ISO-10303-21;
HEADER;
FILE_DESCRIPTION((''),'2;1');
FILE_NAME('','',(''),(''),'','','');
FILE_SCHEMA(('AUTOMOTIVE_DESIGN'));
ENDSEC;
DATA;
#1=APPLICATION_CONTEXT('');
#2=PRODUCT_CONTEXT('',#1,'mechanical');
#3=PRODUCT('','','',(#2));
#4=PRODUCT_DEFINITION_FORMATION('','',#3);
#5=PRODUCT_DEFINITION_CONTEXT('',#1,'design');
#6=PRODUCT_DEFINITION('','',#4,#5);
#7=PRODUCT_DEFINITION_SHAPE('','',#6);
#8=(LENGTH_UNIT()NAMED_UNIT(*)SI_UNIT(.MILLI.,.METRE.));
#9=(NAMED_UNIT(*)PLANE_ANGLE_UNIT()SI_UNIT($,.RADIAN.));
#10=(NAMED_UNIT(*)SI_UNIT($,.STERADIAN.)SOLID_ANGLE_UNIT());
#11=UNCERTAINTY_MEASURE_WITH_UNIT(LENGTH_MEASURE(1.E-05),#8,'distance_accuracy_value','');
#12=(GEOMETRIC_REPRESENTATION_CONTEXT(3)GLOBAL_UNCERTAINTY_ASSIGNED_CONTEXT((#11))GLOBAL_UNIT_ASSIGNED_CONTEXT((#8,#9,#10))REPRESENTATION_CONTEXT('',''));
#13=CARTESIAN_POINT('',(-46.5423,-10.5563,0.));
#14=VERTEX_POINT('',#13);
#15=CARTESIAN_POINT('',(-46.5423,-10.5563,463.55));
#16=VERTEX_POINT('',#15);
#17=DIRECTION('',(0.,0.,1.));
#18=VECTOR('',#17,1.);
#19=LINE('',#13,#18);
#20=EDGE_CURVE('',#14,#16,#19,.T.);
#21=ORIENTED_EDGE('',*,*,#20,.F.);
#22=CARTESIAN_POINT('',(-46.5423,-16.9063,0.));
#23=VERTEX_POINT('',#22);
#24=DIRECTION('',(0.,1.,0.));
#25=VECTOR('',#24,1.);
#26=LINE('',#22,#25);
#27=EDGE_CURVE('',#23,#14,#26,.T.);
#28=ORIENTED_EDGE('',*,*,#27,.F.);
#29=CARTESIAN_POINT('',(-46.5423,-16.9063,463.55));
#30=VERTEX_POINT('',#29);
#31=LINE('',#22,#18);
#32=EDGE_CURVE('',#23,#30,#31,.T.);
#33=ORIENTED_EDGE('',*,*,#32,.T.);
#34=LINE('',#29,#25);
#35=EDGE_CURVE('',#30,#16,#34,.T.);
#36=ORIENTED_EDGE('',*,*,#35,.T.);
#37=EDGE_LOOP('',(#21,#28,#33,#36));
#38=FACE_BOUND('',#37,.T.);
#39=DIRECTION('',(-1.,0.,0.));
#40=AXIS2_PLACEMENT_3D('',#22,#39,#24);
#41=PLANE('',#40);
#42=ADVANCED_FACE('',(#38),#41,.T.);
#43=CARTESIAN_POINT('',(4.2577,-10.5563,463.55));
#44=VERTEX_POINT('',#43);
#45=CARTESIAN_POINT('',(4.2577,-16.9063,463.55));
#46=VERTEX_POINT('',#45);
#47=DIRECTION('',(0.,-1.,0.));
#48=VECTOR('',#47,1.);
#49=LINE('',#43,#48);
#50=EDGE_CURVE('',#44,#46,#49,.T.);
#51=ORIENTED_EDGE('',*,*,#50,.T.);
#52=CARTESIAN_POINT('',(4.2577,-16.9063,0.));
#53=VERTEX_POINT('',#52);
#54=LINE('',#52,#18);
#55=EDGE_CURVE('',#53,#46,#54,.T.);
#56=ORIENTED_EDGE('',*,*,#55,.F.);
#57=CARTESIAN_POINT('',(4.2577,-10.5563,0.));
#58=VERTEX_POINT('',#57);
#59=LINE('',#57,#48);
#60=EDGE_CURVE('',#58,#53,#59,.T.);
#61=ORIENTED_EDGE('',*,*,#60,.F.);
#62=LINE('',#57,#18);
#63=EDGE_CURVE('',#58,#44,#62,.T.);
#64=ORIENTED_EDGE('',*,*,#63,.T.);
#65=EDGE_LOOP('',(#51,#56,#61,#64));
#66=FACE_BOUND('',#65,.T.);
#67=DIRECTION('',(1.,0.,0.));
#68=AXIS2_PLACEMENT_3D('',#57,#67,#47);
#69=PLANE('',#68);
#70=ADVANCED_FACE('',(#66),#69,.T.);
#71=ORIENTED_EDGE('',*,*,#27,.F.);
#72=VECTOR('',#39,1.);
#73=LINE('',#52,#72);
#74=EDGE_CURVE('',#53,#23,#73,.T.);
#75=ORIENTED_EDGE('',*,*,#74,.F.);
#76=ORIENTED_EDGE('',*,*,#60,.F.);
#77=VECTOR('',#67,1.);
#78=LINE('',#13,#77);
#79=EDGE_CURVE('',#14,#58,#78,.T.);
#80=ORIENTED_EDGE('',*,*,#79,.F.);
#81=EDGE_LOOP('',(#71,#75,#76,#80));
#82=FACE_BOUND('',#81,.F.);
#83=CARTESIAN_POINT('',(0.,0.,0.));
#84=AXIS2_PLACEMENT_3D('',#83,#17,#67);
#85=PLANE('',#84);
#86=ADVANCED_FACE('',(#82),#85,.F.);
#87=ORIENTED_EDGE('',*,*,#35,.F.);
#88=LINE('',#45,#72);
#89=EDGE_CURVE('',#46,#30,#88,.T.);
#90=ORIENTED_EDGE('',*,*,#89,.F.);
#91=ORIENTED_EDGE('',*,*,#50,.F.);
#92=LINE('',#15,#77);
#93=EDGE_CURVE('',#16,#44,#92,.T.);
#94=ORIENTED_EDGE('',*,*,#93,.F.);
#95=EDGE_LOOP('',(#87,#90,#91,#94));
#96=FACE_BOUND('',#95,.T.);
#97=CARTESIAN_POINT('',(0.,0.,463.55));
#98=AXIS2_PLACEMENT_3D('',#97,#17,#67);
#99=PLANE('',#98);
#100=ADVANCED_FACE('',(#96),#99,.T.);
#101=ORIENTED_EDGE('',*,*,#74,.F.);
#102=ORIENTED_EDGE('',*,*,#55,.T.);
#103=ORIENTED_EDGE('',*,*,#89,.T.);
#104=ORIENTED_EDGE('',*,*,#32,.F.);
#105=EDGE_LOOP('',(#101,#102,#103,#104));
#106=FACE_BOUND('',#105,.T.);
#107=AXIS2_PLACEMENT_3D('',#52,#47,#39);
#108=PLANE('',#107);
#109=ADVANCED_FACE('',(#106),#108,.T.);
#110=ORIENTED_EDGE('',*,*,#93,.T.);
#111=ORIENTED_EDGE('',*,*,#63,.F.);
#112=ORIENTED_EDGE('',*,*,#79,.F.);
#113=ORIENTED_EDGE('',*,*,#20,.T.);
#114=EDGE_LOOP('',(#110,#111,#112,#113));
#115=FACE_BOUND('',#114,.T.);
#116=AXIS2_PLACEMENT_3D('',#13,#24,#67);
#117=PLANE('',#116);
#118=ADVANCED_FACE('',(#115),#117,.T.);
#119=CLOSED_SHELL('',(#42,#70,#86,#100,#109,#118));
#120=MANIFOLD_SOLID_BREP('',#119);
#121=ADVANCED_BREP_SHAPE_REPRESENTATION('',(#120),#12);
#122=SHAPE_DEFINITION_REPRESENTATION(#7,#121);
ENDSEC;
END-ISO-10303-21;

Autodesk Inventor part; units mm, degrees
ref_plane "YZ Plane" through (0, 0, 0) normal (1, 0, 0) x (0, 1, 0)
ref_plane "XZ Plane" through (0, 0, 0) normal (0, 1, 0) x (-1, 0, 0)
ref_plane "XY Plane" through (0, 0, 0) normal (0, 0, 1) x (1, 0, 0)
sketch "Sketch1" plane through (0, 0, 0) normal (0, 0, 1) x (1, 0, 0)
  line L0 (-46.5423, -10.5563) -> (4.2577, -10.5563)
  line L1 (4.2577, -10.5563) -> (4.2577, -16.9063)
  line L2 (4.2577, -16.9063) -> (-46.5423, -16.9063)
  line L3 (-46.5423, -16.9063) -> (-46.5423, -10.5563)
  point P0 (0, 0)
  dimension "d0" = 50.8
  dimension "d1" = 6.35
extrude "Extrusion1" add sketch "Sketch1" along normal blind 463.55
properties part number "Wine Glass Holder Edge"
